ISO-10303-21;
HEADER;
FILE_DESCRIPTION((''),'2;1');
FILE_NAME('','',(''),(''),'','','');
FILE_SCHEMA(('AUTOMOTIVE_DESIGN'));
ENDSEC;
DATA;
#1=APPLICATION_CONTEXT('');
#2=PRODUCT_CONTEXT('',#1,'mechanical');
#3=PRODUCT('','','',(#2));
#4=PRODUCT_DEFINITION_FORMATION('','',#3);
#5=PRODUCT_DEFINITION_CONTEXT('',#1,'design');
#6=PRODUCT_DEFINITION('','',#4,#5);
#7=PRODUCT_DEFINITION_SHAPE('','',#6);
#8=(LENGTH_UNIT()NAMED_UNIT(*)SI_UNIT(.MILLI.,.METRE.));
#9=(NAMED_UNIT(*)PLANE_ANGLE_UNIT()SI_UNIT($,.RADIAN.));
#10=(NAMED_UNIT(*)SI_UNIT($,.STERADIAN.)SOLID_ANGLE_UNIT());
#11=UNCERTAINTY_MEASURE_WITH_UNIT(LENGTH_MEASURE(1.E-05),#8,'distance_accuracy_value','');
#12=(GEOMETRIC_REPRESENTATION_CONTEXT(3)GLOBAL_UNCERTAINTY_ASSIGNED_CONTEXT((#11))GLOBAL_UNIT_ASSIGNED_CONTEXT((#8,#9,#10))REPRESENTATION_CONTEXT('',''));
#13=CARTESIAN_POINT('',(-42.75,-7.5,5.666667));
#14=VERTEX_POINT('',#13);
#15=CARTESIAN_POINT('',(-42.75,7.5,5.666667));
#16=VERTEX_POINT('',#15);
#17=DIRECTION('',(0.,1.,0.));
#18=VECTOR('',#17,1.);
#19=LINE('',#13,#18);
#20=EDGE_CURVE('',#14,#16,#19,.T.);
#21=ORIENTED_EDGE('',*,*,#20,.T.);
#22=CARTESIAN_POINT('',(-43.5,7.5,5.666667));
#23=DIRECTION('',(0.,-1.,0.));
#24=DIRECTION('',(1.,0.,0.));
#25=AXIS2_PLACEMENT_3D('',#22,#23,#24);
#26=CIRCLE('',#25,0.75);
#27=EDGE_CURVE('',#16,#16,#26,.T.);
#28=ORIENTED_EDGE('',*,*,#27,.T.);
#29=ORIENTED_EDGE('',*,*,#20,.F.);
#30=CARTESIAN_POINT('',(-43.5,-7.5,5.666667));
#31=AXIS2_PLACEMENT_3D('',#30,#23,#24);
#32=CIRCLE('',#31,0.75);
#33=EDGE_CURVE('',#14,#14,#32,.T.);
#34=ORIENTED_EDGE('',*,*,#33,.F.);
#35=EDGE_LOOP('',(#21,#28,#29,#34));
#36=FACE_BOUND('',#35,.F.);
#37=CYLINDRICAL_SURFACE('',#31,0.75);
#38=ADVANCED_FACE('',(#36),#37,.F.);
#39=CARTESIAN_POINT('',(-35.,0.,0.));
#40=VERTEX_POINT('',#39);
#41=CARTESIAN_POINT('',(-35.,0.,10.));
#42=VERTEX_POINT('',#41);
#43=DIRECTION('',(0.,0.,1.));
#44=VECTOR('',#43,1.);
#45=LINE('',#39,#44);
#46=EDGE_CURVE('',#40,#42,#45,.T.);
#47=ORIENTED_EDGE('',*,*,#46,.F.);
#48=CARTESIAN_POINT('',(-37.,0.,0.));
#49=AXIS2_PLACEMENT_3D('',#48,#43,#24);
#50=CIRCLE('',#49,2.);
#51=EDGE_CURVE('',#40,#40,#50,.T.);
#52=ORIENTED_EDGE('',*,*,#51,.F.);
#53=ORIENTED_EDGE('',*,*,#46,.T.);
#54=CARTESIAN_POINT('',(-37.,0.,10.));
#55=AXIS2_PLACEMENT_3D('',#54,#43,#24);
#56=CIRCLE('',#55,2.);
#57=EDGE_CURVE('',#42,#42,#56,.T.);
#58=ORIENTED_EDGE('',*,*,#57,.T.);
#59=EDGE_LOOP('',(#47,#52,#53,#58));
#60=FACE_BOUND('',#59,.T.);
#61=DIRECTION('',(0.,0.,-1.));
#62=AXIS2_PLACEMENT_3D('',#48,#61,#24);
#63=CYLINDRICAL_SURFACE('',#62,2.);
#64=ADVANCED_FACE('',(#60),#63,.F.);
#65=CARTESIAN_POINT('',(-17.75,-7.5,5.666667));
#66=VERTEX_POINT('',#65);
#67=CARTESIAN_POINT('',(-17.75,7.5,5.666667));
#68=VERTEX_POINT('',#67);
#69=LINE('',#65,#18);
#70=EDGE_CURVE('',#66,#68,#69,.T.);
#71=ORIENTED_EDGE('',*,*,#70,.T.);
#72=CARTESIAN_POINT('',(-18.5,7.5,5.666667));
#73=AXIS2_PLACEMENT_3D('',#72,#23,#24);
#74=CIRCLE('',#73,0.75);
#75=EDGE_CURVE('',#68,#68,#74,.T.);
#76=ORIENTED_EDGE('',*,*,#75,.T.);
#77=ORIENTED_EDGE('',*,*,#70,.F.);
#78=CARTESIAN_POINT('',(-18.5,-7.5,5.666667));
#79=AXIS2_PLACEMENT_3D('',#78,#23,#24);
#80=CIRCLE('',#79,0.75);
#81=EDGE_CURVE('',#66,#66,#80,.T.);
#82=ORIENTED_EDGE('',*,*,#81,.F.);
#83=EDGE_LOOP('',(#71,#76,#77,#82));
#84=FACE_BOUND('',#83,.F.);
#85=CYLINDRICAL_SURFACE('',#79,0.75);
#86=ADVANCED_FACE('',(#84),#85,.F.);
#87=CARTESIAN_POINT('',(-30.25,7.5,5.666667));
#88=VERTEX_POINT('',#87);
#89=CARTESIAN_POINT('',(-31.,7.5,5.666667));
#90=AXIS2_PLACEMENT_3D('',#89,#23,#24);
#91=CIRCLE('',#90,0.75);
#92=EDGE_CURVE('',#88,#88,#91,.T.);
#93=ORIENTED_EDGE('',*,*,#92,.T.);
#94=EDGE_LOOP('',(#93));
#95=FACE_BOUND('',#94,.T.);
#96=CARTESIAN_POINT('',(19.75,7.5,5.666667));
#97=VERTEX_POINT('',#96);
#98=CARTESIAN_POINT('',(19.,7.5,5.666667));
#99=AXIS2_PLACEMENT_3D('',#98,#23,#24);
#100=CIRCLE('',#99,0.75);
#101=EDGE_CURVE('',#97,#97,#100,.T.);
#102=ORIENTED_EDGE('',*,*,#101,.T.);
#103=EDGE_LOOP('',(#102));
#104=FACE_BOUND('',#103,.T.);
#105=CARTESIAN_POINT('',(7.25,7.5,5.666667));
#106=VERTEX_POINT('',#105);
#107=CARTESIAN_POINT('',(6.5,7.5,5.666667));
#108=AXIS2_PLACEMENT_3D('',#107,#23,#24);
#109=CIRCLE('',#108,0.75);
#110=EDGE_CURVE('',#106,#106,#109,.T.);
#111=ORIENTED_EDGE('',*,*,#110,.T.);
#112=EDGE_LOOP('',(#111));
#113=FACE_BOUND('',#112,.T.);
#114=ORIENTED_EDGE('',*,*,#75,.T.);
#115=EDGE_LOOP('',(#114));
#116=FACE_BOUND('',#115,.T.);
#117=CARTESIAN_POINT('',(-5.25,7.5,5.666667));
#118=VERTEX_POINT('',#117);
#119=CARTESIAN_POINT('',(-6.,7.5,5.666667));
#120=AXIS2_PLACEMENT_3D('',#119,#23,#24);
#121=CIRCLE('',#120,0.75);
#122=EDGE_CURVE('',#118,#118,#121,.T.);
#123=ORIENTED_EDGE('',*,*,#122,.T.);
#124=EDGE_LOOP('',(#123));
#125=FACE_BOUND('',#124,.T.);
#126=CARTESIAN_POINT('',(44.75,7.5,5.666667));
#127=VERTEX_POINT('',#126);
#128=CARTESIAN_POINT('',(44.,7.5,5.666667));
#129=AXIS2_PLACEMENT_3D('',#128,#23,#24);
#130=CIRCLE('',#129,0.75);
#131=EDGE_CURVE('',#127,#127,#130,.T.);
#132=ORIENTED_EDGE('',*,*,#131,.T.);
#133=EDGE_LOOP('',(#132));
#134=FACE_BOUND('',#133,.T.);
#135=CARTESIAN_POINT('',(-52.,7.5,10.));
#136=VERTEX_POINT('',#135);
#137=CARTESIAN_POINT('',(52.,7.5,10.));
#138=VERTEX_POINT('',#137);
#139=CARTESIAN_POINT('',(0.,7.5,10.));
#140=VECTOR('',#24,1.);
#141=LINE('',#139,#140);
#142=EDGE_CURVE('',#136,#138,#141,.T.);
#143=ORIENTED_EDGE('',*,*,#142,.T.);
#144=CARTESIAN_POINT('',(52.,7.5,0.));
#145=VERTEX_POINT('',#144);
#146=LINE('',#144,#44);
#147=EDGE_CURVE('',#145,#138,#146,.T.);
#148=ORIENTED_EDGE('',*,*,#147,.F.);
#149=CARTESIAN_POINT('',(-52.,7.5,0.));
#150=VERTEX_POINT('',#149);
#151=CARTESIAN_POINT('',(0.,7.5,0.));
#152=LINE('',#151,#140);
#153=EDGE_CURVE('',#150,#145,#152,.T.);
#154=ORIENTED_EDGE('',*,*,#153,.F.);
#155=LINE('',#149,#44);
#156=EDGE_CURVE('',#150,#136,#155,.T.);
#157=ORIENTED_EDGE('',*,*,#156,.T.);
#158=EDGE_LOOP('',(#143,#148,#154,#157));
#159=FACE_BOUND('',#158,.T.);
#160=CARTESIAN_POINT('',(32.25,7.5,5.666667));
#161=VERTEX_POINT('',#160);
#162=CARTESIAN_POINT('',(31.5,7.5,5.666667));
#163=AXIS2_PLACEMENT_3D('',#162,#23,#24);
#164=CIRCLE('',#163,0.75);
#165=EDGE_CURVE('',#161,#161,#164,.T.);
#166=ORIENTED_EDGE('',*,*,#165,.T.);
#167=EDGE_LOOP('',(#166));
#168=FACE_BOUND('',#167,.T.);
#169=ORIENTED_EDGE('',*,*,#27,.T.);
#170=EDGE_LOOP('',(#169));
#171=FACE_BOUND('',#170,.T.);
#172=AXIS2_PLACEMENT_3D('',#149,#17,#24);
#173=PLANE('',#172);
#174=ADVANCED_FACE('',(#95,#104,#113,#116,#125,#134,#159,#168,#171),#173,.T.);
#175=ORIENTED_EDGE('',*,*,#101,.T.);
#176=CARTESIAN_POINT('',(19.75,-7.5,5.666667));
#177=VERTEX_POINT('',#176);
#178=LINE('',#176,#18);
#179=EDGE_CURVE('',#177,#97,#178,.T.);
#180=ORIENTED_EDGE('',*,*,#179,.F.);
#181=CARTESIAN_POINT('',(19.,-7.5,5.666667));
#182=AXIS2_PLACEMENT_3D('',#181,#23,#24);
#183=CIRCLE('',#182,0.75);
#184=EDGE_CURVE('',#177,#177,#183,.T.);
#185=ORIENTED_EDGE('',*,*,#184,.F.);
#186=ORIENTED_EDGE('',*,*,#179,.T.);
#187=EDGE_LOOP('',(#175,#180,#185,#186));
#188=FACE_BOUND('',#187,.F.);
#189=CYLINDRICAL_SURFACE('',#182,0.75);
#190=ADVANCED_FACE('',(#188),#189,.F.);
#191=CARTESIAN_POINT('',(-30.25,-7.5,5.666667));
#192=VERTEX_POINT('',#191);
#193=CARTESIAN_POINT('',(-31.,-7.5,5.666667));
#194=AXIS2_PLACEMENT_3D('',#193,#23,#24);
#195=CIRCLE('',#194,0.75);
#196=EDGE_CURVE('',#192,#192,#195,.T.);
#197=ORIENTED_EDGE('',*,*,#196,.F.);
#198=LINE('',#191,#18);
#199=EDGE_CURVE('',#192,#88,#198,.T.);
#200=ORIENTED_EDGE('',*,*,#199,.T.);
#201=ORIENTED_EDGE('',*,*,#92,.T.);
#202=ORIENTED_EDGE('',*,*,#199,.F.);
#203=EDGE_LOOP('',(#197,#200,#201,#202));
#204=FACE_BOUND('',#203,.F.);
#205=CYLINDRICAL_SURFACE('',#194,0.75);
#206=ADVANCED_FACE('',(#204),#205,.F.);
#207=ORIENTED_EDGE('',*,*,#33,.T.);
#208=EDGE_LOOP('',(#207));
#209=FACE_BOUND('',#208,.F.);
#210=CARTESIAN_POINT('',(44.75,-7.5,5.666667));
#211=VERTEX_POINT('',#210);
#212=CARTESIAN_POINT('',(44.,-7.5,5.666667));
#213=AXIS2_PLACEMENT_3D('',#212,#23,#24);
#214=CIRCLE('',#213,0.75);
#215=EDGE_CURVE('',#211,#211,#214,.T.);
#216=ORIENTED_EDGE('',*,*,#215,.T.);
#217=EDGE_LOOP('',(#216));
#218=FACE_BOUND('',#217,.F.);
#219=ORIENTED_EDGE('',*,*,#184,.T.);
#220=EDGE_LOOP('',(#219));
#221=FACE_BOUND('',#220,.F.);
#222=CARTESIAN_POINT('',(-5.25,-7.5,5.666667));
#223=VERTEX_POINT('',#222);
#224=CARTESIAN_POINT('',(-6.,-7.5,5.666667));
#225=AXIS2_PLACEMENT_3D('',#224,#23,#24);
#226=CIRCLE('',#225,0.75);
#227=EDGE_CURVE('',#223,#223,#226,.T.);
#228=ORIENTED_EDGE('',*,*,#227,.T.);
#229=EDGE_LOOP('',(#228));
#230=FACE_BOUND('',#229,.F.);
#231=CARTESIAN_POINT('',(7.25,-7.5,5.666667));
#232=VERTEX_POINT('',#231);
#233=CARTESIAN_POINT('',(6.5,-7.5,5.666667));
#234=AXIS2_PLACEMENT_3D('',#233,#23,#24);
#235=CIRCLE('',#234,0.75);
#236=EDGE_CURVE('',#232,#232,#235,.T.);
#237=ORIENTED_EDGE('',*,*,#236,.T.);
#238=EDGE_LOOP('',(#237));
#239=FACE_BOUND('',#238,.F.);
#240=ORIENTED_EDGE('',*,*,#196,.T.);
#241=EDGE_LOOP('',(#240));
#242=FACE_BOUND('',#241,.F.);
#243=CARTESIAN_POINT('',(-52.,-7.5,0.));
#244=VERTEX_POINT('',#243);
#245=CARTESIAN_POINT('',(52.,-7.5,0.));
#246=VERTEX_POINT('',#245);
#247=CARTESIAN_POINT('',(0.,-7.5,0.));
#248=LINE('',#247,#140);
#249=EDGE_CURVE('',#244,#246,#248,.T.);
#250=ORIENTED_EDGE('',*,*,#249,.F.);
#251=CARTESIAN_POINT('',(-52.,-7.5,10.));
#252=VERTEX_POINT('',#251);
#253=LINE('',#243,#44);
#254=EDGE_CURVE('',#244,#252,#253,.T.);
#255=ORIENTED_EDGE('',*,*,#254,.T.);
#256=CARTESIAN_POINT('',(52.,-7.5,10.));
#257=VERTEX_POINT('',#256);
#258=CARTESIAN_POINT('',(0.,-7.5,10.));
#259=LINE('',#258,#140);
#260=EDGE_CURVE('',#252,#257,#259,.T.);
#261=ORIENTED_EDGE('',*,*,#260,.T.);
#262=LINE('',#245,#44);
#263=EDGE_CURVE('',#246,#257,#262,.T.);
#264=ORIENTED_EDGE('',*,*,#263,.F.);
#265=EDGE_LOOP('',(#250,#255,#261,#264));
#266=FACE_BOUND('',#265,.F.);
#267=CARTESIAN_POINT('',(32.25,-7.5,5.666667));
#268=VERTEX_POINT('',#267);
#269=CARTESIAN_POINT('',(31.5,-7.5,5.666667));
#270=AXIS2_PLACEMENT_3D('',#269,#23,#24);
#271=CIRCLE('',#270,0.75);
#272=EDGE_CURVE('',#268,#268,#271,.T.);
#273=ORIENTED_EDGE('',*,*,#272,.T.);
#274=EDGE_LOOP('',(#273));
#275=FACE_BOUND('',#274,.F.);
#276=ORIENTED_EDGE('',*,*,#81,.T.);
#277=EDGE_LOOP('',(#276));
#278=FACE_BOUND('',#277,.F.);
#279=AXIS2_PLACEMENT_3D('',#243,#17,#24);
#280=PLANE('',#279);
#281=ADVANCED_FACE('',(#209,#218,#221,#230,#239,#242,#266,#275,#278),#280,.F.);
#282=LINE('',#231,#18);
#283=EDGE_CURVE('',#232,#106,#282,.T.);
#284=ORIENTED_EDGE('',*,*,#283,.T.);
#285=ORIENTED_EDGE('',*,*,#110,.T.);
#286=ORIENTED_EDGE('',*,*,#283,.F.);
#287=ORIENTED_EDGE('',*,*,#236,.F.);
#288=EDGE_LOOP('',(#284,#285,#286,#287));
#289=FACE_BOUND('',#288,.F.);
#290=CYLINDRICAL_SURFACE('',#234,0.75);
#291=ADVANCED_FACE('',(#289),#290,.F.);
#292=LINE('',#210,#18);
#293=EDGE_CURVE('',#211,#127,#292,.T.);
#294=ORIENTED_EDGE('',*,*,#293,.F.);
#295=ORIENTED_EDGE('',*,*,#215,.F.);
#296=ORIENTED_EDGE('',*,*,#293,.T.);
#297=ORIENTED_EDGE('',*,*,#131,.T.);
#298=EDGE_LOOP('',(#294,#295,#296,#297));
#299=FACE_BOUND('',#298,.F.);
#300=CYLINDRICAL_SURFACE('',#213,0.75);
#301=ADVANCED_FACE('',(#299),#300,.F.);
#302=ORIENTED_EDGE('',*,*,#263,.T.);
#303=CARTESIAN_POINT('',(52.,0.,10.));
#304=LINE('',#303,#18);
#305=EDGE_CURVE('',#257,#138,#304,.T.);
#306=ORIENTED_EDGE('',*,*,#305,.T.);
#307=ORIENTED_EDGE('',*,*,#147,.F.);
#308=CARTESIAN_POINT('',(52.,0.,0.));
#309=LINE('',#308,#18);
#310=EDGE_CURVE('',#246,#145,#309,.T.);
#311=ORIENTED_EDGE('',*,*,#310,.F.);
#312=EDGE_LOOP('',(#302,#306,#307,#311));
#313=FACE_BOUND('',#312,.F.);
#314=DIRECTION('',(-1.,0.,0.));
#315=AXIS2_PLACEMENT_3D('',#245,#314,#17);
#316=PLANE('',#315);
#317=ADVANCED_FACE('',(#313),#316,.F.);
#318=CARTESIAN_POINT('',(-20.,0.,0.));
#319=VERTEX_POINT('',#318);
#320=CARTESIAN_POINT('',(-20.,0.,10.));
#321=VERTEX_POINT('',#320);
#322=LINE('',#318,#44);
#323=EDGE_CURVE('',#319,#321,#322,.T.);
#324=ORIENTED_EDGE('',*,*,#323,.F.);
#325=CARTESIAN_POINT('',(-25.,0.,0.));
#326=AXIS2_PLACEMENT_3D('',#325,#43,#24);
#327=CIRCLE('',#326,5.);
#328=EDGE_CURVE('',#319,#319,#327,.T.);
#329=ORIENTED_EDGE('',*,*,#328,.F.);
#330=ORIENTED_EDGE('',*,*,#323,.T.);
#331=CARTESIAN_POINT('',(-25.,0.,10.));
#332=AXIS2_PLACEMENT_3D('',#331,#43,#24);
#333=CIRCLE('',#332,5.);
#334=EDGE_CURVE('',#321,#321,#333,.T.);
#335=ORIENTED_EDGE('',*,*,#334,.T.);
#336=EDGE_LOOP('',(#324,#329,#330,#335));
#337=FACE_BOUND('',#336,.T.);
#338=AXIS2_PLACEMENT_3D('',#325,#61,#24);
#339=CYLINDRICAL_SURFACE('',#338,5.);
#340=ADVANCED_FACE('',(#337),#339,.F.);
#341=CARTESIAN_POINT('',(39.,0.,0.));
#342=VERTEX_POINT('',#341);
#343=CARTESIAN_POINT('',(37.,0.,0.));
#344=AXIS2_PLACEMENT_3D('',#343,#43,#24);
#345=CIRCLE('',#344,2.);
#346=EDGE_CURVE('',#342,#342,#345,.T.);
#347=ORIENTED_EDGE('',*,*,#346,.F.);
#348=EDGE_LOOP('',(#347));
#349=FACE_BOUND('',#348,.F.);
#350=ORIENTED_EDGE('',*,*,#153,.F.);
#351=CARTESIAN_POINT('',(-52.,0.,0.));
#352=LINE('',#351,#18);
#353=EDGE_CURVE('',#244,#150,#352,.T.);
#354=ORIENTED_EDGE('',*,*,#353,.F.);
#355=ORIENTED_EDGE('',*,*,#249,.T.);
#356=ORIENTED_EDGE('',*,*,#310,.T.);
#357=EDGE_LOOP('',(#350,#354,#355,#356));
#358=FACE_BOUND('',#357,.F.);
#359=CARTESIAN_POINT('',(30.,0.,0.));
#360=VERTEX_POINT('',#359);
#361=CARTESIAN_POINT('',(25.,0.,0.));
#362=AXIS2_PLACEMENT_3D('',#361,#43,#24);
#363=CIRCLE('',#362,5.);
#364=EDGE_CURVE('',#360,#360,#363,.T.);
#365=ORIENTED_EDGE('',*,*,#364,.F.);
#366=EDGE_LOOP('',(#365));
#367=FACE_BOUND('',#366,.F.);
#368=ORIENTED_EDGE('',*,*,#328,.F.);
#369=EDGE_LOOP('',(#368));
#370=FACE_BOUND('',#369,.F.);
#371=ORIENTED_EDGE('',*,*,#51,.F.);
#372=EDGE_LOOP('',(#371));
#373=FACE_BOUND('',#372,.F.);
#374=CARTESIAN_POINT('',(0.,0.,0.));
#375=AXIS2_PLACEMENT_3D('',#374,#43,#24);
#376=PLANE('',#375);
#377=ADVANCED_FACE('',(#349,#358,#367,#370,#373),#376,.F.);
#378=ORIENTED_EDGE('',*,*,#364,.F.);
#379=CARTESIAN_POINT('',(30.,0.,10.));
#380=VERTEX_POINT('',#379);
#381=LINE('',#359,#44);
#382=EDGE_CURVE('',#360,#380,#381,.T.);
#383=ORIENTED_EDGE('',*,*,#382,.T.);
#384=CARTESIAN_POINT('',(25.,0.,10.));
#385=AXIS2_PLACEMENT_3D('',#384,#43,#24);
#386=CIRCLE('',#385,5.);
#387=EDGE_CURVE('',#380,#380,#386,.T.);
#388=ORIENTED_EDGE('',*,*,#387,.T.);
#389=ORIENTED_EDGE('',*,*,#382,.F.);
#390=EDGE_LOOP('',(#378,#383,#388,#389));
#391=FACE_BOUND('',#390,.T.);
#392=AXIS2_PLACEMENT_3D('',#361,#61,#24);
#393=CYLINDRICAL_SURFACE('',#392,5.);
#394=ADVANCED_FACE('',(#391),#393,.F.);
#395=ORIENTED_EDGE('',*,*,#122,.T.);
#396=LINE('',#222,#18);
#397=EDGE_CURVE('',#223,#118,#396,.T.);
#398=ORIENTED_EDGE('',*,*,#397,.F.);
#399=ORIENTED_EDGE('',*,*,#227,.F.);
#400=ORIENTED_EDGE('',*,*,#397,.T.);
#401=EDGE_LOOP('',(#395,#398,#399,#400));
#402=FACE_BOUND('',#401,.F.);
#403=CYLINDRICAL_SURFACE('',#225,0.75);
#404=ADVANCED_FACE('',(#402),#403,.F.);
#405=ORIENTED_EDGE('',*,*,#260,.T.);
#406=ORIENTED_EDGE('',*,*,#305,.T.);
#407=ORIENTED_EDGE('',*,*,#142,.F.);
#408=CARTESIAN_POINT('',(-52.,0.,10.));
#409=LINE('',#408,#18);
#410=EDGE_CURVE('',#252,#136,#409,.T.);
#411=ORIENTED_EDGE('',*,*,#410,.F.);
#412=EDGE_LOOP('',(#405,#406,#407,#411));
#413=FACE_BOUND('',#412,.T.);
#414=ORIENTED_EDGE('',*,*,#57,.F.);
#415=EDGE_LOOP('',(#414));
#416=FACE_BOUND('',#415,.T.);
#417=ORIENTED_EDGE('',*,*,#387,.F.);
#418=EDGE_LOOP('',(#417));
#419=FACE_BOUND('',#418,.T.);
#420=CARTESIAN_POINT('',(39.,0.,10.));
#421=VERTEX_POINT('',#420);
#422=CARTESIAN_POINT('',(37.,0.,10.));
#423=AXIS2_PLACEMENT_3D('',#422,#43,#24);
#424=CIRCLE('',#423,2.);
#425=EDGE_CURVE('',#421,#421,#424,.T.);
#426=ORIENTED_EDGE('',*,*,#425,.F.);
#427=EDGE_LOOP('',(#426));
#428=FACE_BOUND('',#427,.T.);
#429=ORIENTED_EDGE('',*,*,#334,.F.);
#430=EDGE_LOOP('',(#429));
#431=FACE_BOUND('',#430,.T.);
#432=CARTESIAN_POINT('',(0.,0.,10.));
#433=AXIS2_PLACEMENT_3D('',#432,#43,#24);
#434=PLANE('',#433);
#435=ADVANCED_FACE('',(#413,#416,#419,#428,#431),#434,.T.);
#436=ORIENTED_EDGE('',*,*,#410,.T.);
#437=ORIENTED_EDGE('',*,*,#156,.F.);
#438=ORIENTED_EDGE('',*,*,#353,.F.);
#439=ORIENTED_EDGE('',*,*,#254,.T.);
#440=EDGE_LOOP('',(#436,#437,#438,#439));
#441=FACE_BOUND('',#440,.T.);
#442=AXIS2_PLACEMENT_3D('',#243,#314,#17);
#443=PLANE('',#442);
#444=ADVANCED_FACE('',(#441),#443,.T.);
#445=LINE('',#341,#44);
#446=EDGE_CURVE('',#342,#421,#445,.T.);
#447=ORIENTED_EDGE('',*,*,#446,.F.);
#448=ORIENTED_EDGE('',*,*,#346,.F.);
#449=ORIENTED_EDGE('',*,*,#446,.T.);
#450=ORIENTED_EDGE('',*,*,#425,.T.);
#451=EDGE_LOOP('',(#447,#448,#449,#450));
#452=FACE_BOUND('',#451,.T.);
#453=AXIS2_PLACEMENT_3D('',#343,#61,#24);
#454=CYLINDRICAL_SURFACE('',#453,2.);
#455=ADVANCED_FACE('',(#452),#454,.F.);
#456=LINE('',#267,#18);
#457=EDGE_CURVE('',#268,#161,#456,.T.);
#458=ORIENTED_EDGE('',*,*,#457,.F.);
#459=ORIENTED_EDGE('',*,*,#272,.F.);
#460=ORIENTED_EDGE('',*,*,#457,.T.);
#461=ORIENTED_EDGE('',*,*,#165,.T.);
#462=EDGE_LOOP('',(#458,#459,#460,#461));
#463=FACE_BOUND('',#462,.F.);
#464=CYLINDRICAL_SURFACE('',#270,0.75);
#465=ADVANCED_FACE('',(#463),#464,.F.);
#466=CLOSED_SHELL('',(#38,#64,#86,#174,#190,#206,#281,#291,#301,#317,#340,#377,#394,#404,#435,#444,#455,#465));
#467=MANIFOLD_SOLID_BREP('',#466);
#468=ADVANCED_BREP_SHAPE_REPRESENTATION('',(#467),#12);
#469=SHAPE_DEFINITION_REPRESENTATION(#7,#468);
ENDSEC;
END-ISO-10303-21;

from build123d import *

# Parameters (mm, degrees)
F0_W     = 104
F0_H     = 15
F0_R     = 2
F0_R_2   = 5
F1_DEPTH = 10
F2_R     = 0.75
F3_DEPTH = 25


with BuildPart() as f1:
    # F0 (on Top) → F1 (new body)
    with BuildSketch(Plane.XY):
        Rectangle(F0_W, F0_H)
        with Locations((-37, 0)):
            Circle(F0_R, mode=Mode.SUBTRACT)
        with Locations((-25, 0)):
            Circle(F0_R_2, mode=Mode.SUBTRACT)
        with Locations((25, 0)):
            Circle(F0_R_2, mode=Mode.SUBTRACT)
        with Locations((37, 0)):
            Circle(F0_R, mode=Mode.SUBTRACT)
    extrude(amount=F1_DEPTH)

    # F2 (on face) → F3 (cut)
    with BuildSketch(Plane.XZ.offset(7.5)):
        with Locations((-43.5, 5.666667)):
            Circle(F2_R)
        with Locations((-31, 5.666667)):
            Circle(F2_R)
        with Locations((-18.5, 5.666667)):
            Circle(F2_R)
        with Locations((-6, 5.666667)):
            Circle(F2_R)
        with Locations((6.5, 5.666667)):
            Circle(F2_R)
        with Locations((19, 5.666667)):
            Circle(F2_R)
        with Locations((31.5, 5.666667)):
            Circle(F2_R)
        with Locations((44, 5.666667)):
            Circle(F2_R)
    extrude(amount=-F3_DEPTH, mode=Mode.SUBTRACT)


solid = f1.part
